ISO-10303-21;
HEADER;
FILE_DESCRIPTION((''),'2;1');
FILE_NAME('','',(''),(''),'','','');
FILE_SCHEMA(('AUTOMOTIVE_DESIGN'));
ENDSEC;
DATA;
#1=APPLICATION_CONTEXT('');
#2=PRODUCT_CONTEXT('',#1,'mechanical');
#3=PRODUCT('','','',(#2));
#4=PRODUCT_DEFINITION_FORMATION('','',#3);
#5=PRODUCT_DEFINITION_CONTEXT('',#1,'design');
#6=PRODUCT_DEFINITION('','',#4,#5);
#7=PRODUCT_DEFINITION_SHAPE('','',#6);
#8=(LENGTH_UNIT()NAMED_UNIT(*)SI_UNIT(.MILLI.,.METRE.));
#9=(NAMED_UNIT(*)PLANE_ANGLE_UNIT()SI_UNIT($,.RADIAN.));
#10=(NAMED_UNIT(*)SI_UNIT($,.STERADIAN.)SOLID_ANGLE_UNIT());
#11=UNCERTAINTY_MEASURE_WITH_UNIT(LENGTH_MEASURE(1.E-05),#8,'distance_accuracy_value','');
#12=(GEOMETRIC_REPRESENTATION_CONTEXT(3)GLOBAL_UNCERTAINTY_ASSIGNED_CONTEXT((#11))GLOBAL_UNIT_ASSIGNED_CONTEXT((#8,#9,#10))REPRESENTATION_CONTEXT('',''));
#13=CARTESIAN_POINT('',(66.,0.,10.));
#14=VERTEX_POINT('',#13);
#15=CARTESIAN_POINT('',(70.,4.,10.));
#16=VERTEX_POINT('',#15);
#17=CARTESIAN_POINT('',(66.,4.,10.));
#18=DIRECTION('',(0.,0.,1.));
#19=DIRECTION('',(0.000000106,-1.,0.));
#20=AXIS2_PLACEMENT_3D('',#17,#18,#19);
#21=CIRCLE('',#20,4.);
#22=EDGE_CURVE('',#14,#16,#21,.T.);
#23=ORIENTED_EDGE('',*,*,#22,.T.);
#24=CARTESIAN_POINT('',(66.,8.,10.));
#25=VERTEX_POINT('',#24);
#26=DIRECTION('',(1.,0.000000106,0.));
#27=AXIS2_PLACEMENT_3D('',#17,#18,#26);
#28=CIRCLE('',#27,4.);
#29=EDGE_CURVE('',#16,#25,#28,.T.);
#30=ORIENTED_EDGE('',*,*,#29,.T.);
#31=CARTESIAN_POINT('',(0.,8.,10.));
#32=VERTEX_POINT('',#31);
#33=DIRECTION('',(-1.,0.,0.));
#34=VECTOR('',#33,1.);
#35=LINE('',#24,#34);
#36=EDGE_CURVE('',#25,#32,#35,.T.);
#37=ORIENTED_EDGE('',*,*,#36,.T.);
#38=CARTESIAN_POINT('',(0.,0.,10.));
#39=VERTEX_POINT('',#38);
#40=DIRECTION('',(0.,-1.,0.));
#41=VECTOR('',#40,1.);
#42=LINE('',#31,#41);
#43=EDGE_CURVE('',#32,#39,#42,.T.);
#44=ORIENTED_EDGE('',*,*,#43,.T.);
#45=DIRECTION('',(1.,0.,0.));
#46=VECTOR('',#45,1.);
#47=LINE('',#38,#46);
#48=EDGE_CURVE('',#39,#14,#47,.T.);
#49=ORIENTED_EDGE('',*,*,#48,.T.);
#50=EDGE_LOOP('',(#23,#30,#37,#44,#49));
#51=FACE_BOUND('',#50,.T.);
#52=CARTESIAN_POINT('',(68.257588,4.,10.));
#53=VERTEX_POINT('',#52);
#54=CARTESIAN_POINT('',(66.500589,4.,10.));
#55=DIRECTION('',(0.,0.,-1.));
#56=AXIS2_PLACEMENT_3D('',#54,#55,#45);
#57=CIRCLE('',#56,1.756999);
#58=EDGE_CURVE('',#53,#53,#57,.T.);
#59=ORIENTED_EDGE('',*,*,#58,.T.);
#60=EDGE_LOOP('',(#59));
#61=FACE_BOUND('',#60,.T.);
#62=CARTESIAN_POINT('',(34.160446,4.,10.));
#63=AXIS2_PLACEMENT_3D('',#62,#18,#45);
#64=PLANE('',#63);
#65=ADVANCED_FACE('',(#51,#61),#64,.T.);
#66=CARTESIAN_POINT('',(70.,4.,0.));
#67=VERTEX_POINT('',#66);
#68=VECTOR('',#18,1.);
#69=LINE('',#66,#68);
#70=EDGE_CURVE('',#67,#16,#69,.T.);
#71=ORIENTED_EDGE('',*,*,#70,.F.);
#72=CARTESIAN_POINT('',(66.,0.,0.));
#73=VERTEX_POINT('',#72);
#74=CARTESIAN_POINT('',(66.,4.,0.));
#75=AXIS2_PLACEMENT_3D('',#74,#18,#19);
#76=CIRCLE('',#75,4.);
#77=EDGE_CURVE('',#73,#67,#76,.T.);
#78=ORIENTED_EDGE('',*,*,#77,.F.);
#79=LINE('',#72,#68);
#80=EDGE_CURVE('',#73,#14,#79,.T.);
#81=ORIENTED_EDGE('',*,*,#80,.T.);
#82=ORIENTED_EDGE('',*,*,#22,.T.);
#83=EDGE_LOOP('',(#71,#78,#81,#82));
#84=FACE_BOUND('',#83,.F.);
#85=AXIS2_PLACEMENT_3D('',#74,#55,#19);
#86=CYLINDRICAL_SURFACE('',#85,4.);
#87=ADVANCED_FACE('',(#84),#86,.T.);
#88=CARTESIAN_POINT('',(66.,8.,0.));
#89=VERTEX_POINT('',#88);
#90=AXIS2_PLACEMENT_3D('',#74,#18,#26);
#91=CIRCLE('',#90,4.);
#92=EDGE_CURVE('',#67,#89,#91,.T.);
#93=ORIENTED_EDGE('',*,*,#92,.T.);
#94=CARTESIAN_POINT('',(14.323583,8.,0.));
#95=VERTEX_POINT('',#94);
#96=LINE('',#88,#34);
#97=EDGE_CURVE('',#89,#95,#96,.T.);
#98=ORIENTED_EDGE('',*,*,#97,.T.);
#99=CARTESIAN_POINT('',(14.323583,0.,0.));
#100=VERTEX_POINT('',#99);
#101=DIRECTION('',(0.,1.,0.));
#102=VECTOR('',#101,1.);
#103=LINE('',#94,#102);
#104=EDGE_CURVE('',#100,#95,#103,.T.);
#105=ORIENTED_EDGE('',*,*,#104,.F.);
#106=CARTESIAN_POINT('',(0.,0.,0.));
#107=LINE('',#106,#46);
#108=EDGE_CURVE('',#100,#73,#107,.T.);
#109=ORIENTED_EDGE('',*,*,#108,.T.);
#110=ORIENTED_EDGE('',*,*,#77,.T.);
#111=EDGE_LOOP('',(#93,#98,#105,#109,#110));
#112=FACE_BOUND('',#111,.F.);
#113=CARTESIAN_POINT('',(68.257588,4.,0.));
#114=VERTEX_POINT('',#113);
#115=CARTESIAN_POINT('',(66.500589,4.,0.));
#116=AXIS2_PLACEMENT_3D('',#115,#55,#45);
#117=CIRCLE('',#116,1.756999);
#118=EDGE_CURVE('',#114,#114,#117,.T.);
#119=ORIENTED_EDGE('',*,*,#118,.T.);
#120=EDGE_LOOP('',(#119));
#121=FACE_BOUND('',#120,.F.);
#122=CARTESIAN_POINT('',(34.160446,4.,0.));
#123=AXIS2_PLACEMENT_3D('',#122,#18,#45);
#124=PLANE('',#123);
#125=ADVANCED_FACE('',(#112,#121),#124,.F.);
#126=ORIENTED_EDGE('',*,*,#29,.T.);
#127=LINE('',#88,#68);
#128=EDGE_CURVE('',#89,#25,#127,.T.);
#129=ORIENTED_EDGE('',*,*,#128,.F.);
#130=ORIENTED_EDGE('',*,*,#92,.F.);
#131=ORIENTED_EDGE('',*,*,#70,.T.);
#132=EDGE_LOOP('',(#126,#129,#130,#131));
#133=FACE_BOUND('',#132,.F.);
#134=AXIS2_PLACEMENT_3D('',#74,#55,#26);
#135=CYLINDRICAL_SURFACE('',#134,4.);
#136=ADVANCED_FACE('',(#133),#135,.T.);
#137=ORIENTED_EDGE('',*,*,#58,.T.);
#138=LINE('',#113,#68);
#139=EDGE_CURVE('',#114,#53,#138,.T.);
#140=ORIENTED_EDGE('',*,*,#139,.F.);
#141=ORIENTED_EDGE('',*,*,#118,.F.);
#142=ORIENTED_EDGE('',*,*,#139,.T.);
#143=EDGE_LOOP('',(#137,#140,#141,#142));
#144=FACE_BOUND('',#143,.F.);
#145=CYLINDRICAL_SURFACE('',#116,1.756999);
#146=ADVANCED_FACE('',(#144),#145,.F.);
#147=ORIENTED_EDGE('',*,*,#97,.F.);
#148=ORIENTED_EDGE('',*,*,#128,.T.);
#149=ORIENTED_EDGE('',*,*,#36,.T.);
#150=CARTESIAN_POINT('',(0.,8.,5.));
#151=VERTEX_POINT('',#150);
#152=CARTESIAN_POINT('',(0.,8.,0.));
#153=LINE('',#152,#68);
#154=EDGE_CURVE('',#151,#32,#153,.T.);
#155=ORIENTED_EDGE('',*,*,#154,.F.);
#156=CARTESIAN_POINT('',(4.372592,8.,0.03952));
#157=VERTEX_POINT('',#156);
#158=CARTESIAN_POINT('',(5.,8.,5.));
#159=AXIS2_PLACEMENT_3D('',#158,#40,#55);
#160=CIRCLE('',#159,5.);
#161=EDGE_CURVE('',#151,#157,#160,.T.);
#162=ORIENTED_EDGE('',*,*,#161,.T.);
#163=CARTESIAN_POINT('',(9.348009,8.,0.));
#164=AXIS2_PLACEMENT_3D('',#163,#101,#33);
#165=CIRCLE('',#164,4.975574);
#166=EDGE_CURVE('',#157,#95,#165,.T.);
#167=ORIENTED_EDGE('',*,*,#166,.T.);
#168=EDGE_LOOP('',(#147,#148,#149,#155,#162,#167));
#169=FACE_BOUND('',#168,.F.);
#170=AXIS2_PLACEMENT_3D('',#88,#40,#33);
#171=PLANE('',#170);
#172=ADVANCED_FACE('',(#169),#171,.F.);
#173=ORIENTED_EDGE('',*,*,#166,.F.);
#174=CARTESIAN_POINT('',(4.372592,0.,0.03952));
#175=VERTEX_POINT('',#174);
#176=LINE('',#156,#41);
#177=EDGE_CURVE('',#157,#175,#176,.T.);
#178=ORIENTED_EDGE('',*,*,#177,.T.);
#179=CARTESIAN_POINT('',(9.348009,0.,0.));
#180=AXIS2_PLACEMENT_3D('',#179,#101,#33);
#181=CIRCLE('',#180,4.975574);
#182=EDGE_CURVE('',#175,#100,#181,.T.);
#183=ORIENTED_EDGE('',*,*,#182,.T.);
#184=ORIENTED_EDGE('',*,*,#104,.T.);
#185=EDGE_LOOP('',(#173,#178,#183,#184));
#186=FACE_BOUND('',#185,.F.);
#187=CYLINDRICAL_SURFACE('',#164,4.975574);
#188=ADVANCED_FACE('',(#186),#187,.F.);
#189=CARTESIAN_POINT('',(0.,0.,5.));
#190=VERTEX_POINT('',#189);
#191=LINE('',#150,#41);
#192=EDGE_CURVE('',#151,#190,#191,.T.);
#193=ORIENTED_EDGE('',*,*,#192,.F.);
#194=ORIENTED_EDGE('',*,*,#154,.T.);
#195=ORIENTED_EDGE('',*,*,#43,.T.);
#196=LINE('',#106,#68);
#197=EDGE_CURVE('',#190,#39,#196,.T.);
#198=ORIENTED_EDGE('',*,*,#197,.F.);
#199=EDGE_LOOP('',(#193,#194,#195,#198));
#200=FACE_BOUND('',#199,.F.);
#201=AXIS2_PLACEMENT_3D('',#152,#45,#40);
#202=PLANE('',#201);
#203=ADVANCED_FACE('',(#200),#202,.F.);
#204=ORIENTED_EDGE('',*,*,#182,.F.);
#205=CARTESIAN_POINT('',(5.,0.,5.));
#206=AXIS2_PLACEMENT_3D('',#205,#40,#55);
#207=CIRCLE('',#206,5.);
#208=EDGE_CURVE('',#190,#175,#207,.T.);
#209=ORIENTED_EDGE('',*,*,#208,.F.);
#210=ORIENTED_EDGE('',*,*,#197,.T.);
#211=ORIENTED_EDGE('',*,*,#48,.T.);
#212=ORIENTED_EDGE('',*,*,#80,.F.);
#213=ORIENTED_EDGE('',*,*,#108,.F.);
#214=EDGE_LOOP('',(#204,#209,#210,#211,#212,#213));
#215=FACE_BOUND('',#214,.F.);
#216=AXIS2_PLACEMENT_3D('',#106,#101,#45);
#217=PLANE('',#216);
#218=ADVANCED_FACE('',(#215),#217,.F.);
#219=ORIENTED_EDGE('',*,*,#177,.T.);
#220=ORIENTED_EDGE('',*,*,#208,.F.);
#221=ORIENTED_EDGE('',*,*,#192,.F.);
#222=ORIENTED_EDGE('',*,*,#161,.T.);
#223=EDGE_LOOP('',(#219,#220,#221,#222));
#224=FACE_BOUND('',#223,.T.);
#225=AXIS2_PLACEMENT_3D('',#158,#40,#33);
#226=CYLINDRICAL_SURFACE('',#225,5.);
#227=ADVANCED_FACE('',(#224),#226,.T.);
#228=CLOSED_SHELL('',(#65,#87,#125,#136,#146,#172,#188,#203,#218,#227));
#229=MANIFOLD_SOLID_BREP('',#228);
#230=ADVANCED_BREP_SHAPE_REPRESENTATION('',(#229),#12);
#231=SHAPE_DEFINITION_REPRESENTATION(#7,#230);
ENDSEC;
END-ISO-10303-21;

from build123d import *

# Parameters (mm, degrees)
F1_DEPTH = 10
F2_R     = 5
F3_R     = 4.975574
F4_DEPTH = 25
F5_R     = 1.756999
F6_DEPTH = 25


with BuildPart() as f1:
    # F0 (on Top) → F1 (new body)
    with BuildSketch(Plane.XY):
        with BuildLine():
            Line((0, 8), (0, 0))
            Line((0, 0), (66, 0))
            ThreePointArc((66, 0), (68.828427, 1.171573), (70, 4))
            ThreePointArc((70, 4), (68.828427, 6.828427), (66, 8))
            Line((66, 8), (0, 8))
        make_face()
    extrude(amount=F1_DEPTH)

    # F2
    f2_edges = [f1.edges().sort_by_distance(p)[0] for p in [
        (0, 4, 0),
    ]]
    fillet(f2_edges, radius=F2_R)

    # F3 (on face) → F4 (cut)
    with BuildSketch(Plane(origin=(0, 8, 0), x_dir=(-1, 0, 0), z_dir=(0, 1, 0))):
        with Locations((-9.348009, 0)):
            Circle(F3_R)
    extrude(amount=-F4_DEPTH, mode=Mode.SUBTRACT)

    # F5 (on face) → F6 (cut)
    with BuildSketch(Plane(origin=(0, 0, 0), x_dir=(1, 0, 0), z_dir=(0, 0, -1))):
        with Locations((66.500589, -4)):
            Circle(F5_R)
    extrude(amount=-F6_DEPTH, mode=Mode.SUBTRACT)


solid = f1.part
